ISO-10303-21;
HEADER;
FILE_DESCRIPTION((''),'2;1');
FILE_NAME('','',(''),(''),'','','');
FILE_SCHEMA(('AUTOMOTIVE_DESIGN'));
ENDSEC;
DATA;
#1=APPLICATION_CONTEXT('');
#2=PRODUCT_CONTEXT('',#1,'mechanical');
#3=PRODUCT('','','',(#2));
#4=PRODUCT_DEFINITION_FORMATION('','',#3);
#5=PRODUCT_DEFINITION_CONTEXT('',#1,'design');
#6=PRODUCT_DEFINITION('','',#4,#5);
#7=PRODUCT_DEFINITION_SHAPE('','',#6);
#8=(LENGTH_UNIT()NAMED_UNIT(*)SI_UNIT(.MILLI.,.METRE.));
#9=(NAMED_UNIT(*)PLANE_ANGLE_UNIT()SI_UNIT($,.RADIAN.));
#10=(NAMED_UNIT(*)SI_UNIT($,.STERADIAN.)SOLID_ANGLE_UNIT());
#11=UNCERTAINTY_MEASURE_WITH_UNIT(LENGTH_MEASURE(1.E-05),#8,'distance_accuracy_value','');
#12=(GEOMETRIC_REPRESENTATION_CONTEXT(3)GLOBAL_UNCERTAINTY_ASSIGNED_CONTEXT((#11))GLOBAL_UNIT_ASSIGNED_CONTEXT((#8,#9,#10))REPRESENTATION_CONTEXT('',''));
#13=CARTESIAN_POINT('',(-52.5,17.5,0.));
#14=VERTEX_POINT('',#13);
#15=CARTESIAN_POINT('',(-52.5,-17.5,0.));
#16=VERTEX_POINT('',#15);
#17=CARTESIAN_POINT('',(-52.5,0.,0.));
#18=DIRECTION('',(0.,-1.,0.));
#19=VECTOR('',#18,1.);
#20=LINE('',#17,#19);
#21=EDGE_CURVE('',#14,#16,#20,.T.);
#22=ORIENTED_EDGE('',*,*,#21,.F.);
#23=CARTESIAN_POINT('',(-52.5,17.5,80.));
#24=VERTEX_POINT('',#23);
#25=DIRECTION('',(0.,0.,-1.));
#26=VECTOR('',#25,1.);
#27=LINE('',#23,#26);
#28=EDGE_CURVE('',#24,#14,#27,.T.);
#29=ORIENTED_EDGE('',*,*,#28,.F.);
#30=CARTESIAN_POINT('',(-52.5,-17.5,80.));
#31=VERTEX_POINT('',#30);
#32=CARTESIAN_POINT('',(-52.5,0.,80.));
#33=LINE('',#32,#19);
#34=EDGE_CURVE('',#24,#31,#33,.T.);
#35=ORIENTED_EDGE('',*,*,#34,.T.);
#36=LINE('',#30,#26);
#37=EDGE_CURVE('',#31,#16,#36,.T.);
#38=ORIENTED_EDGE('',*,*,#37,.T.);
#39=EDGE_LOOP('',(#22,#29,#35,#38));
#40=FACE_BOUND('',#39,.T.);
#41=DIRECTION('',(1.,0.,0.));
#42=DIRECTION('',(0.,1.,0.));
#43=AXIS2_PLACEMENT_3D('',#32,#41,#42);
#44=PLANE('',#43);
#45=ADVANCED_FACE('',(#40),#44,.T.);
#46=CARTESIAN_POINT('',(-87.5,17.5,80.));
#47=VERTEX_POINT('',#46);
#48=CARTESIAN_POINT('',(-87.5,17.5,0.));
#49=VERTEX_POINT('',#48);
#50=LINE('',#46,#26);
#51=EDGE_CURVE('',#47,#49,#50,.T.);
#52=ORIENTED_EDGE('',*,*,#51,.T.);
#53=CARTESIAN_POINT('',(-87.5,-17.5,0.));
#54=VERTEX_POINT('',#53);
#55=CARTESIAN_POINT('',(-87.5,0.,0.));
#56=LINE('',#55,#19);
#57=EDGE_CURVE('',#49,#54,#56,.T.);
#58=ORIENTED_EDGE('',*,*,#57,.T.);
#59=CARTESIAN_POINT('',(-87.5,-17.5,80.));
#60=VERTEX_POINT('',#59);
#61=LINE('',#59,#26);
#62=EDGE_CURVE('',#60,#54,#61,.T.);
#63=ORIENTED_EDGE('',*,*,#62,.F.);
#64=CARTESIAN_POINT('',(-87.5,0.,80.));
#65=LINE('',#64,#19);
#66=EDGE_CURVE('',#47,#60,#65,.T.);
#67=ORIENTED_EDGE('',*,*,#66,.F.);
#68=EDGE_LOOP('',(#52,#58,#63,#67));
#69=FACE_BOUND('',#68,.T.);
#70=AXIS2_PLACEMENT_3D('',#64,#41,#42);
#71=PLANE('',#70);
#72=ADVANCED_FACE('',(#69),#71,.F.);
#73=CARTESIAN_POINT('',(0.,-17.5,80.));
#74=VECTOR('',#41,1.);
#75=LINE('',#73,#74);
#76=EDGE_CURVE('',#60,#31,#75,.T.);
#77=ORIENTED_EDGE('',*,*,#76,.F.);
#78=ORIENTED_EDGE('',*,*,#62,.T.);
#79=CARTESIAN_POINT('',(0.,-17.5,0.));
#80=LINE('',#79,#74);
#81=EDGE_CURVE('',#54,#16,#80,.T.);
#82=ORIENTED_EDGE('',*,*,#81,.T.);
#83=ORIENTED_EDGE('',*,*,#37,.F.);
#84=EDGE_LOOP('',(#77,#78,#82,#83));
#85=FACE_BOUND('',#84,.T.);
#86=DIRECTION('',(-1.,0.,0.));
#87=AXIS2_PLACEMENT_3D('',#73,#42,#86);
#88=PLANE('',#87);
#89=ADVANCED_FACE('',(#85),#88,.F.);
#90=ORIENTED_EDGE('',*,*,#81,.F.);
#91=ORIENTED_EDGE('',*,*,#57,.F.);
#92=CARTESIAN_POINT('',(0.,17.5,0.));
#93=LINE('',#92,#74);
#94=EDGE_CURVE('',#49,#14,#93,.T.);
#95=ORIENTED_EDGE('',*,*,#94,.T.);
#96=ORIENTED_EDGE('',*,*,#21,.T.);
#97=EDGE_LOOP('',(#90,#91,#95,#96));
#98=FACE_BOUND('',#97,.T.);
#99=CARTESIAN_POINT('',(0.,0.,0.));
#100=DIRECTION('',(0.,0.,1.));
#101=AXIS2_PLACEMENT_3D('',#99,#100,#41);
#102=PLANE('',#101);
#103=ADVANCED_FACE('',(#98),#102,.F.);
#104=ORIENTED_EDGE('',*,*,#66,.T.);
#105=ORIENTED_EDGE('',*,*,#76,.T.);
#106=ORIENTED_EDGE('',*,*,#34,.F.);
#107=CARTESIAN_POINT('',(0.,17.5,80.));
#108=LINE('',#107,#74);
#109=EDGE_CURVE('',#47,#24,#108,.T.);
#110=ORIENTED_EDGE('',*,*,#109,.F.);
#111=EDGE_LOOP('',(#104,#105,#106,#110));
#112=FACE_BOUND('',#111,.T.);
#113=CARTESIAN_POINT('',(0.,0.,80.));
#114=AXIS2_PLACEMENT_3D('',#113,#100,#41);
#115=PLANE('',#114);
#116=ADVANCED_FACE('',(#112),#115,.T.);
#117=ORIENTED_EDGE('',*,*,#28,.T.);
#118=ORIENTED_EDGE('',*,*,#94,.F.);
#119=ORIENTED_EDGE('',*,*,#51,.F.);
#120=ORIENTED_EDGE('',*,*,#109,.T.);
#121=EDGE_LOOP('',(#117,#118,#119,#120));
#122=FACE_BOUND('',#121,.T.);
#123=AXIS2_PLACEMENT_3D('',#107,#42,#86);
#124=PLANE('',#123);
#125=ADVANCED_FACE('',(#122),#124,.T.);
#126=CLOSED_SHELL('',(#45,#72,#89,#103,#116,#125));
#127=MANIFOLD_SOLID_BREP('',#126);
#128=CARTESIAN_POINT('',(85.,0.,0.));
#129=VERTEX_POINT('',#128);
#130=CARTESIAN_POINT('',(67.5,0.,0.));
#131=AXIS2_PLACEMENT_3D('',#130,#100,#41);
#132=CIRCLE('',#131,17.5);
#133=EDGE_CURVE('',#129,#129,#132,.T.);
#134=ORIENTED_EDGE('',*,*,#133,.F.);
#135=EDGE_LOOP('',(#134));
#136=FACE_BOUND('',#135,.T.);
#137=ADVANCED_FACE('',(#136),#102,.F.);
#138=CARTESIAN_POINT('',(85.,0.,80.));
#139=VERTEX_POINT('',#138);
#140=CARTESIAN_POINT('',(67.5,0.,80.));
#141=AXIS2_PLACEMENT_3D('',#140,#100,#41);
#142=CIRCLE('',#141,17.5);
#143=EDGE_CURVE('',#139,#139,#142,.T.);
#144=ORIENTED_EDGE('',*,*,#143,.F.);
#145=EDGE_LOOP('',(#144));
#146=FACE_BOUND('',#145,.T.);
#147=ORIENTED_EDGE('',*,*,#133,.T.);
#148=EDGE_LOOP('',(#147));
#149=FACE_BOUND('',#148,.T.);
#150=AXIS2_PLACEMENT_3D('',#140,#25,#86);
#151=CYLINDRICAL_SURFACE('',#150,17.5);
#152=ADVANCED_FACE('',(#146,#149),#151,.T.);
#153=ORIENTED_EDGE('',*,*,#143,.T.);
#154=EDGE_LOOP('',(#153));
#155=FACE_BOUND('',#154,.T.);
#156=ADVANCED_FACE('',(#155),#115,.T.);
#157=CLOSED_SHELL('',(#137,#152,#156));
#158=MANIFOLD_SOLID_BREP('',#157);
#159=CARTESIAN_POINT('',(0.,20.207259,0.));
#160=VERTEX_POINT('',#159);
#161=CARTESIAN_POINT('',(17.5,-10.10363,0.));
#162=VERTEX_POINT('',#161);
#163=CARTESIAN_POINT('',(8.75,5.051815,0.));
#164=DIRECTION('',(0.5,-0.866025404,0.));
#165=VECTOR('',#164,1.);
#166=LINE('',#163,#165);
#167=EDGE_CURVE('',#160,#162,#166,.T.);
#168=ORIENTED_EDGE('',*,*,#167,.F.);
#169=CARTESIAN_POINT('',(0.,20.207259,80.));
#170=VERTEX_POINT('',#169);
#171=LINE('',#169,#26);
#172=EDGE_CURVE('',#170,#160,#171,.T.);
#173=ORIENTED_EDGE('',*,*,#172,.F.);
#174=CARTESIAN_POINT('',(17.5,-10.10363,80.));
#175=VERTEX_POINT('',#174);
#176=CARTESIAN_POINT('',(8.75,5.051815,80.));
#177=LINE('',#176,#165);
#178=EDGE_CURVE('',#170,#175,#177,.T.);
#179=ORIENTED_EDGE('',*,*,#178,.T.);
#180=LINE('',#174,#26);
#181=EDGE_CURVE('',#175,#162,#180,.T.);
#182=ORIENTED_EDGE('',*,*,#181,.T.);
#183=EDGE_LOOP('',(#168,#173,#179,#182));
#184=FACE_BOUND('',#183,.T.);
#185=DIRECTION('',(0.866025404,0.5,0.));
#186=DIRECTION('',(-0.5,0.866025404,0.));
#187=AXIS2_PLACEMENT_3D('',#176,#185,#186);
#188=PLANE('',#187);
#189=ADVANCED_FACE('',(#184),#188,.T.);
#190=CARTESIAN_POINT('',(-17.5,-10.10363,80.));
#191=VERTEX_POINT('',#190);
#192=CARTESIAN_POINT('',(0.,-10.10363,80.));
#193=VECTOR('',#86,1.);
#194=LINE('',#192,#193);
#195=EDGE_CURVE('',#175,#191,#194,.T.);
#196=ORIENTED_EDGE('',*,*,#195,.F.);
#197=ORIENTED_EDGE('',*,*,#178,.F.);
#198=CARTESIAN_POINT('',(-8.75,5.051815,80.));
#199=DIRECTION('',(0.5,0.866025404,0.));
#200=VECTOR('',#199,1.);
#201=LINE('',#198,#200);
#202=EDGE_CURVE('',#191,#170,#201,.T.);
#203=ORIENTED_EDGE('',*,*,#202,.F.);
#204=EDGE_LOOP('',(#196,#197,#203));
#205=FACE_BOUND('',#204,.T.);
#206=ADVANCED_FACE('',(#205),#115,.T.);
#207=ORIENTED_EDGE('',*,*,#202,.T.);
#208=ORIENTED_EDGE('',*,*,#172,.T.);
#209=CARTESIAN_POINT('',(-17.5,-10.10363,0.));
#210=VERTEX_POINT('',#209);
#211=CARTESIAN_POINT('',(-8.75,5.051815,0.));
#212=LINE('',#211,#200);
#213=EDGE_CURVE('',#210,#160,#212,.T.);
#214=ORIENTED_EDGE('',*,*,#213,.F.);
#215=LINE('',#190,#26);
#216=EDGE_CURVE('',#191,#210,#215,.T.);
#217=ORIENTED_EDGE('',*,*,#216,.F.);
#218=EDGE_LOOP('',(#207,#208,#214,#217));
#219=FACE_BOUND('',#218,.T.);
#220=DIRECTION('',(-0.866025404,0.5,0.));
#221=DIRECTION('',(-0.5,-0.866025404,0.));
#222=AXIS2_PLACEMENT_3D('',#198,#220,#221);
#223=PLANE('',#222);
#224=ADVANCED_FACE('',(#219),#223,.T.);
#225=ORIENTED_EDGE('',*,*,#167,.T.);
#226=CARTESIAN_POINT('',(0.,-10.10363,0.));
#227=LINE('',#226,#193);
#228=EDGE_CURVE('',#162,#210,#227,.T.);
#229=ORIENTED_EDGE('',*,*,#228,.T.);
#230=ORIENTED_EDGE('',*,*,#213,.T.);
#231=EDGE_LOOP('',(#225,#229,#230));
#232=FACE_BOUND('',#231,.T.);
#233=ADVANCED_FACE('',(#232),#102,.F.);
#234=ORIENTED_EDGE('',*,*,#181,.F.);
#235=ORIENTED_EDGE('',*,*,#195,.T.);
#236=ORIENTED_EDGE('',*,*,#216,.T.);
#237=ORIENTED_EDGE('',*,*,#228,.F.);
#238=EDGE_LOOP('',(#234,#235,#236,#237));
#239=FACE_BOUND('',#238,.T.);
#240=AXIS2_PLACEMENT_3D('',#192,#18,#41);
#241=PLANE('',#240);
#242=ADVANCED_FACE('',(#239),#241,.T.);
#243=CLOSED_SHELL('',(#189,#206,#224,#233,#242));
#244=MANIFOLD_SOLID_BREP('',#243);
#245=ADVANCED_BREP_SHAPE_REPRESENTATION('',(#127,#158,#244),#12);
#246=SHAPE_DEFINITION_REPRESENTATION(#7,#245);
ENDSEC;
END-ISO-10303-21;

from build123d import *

# Parameters (mm, degrees)
SKETCH1_R             = 17.5
BOSS_EXTRUDE1_DEPTH   = 80
BOSS_EXTRUDE1_2_DEPTH = 80
SKETCH1_W             = 35
SKETCH1_H             = 35
BOSS_EXTRUDE1_3_DEPTH = 80


with BuildPart() as part:
    # Sketch1 → Boss-Extrude1 (new body)
    with BuildSketch(Plane.XY):
        with Locations((67.5, 0)):
            Circle(SKETCH1_R)
    extrude(amount=BOSS_EXTRUDE1_DEPTH)


with BuildPart() as body_2:
    # Sketch1 → Boss-Extrude1 2 (new body)
    with BuildSketch(Plane.XY):
        Polygon((-17.5, -10.103629711), (0, 20.207259422), (17.5, -10.103629711), align=None)
    extrude(amount=BOSS_EXTRUDE1_2_DEPTH)


with BuildPart() as body_3:
    # Sketch1 → Boss-Extrude1 3 (new body)
    with BuildSketch(Plane.XY):
        with Locations((-70, 0)):
            Rectangle(SKETCH1_W, SKETCH1_H)
    extrude(amount=BOSS_EXTRUDE1_3_DEPTH)


solid = Compound([part.part, body_2.part, body_3.part])
